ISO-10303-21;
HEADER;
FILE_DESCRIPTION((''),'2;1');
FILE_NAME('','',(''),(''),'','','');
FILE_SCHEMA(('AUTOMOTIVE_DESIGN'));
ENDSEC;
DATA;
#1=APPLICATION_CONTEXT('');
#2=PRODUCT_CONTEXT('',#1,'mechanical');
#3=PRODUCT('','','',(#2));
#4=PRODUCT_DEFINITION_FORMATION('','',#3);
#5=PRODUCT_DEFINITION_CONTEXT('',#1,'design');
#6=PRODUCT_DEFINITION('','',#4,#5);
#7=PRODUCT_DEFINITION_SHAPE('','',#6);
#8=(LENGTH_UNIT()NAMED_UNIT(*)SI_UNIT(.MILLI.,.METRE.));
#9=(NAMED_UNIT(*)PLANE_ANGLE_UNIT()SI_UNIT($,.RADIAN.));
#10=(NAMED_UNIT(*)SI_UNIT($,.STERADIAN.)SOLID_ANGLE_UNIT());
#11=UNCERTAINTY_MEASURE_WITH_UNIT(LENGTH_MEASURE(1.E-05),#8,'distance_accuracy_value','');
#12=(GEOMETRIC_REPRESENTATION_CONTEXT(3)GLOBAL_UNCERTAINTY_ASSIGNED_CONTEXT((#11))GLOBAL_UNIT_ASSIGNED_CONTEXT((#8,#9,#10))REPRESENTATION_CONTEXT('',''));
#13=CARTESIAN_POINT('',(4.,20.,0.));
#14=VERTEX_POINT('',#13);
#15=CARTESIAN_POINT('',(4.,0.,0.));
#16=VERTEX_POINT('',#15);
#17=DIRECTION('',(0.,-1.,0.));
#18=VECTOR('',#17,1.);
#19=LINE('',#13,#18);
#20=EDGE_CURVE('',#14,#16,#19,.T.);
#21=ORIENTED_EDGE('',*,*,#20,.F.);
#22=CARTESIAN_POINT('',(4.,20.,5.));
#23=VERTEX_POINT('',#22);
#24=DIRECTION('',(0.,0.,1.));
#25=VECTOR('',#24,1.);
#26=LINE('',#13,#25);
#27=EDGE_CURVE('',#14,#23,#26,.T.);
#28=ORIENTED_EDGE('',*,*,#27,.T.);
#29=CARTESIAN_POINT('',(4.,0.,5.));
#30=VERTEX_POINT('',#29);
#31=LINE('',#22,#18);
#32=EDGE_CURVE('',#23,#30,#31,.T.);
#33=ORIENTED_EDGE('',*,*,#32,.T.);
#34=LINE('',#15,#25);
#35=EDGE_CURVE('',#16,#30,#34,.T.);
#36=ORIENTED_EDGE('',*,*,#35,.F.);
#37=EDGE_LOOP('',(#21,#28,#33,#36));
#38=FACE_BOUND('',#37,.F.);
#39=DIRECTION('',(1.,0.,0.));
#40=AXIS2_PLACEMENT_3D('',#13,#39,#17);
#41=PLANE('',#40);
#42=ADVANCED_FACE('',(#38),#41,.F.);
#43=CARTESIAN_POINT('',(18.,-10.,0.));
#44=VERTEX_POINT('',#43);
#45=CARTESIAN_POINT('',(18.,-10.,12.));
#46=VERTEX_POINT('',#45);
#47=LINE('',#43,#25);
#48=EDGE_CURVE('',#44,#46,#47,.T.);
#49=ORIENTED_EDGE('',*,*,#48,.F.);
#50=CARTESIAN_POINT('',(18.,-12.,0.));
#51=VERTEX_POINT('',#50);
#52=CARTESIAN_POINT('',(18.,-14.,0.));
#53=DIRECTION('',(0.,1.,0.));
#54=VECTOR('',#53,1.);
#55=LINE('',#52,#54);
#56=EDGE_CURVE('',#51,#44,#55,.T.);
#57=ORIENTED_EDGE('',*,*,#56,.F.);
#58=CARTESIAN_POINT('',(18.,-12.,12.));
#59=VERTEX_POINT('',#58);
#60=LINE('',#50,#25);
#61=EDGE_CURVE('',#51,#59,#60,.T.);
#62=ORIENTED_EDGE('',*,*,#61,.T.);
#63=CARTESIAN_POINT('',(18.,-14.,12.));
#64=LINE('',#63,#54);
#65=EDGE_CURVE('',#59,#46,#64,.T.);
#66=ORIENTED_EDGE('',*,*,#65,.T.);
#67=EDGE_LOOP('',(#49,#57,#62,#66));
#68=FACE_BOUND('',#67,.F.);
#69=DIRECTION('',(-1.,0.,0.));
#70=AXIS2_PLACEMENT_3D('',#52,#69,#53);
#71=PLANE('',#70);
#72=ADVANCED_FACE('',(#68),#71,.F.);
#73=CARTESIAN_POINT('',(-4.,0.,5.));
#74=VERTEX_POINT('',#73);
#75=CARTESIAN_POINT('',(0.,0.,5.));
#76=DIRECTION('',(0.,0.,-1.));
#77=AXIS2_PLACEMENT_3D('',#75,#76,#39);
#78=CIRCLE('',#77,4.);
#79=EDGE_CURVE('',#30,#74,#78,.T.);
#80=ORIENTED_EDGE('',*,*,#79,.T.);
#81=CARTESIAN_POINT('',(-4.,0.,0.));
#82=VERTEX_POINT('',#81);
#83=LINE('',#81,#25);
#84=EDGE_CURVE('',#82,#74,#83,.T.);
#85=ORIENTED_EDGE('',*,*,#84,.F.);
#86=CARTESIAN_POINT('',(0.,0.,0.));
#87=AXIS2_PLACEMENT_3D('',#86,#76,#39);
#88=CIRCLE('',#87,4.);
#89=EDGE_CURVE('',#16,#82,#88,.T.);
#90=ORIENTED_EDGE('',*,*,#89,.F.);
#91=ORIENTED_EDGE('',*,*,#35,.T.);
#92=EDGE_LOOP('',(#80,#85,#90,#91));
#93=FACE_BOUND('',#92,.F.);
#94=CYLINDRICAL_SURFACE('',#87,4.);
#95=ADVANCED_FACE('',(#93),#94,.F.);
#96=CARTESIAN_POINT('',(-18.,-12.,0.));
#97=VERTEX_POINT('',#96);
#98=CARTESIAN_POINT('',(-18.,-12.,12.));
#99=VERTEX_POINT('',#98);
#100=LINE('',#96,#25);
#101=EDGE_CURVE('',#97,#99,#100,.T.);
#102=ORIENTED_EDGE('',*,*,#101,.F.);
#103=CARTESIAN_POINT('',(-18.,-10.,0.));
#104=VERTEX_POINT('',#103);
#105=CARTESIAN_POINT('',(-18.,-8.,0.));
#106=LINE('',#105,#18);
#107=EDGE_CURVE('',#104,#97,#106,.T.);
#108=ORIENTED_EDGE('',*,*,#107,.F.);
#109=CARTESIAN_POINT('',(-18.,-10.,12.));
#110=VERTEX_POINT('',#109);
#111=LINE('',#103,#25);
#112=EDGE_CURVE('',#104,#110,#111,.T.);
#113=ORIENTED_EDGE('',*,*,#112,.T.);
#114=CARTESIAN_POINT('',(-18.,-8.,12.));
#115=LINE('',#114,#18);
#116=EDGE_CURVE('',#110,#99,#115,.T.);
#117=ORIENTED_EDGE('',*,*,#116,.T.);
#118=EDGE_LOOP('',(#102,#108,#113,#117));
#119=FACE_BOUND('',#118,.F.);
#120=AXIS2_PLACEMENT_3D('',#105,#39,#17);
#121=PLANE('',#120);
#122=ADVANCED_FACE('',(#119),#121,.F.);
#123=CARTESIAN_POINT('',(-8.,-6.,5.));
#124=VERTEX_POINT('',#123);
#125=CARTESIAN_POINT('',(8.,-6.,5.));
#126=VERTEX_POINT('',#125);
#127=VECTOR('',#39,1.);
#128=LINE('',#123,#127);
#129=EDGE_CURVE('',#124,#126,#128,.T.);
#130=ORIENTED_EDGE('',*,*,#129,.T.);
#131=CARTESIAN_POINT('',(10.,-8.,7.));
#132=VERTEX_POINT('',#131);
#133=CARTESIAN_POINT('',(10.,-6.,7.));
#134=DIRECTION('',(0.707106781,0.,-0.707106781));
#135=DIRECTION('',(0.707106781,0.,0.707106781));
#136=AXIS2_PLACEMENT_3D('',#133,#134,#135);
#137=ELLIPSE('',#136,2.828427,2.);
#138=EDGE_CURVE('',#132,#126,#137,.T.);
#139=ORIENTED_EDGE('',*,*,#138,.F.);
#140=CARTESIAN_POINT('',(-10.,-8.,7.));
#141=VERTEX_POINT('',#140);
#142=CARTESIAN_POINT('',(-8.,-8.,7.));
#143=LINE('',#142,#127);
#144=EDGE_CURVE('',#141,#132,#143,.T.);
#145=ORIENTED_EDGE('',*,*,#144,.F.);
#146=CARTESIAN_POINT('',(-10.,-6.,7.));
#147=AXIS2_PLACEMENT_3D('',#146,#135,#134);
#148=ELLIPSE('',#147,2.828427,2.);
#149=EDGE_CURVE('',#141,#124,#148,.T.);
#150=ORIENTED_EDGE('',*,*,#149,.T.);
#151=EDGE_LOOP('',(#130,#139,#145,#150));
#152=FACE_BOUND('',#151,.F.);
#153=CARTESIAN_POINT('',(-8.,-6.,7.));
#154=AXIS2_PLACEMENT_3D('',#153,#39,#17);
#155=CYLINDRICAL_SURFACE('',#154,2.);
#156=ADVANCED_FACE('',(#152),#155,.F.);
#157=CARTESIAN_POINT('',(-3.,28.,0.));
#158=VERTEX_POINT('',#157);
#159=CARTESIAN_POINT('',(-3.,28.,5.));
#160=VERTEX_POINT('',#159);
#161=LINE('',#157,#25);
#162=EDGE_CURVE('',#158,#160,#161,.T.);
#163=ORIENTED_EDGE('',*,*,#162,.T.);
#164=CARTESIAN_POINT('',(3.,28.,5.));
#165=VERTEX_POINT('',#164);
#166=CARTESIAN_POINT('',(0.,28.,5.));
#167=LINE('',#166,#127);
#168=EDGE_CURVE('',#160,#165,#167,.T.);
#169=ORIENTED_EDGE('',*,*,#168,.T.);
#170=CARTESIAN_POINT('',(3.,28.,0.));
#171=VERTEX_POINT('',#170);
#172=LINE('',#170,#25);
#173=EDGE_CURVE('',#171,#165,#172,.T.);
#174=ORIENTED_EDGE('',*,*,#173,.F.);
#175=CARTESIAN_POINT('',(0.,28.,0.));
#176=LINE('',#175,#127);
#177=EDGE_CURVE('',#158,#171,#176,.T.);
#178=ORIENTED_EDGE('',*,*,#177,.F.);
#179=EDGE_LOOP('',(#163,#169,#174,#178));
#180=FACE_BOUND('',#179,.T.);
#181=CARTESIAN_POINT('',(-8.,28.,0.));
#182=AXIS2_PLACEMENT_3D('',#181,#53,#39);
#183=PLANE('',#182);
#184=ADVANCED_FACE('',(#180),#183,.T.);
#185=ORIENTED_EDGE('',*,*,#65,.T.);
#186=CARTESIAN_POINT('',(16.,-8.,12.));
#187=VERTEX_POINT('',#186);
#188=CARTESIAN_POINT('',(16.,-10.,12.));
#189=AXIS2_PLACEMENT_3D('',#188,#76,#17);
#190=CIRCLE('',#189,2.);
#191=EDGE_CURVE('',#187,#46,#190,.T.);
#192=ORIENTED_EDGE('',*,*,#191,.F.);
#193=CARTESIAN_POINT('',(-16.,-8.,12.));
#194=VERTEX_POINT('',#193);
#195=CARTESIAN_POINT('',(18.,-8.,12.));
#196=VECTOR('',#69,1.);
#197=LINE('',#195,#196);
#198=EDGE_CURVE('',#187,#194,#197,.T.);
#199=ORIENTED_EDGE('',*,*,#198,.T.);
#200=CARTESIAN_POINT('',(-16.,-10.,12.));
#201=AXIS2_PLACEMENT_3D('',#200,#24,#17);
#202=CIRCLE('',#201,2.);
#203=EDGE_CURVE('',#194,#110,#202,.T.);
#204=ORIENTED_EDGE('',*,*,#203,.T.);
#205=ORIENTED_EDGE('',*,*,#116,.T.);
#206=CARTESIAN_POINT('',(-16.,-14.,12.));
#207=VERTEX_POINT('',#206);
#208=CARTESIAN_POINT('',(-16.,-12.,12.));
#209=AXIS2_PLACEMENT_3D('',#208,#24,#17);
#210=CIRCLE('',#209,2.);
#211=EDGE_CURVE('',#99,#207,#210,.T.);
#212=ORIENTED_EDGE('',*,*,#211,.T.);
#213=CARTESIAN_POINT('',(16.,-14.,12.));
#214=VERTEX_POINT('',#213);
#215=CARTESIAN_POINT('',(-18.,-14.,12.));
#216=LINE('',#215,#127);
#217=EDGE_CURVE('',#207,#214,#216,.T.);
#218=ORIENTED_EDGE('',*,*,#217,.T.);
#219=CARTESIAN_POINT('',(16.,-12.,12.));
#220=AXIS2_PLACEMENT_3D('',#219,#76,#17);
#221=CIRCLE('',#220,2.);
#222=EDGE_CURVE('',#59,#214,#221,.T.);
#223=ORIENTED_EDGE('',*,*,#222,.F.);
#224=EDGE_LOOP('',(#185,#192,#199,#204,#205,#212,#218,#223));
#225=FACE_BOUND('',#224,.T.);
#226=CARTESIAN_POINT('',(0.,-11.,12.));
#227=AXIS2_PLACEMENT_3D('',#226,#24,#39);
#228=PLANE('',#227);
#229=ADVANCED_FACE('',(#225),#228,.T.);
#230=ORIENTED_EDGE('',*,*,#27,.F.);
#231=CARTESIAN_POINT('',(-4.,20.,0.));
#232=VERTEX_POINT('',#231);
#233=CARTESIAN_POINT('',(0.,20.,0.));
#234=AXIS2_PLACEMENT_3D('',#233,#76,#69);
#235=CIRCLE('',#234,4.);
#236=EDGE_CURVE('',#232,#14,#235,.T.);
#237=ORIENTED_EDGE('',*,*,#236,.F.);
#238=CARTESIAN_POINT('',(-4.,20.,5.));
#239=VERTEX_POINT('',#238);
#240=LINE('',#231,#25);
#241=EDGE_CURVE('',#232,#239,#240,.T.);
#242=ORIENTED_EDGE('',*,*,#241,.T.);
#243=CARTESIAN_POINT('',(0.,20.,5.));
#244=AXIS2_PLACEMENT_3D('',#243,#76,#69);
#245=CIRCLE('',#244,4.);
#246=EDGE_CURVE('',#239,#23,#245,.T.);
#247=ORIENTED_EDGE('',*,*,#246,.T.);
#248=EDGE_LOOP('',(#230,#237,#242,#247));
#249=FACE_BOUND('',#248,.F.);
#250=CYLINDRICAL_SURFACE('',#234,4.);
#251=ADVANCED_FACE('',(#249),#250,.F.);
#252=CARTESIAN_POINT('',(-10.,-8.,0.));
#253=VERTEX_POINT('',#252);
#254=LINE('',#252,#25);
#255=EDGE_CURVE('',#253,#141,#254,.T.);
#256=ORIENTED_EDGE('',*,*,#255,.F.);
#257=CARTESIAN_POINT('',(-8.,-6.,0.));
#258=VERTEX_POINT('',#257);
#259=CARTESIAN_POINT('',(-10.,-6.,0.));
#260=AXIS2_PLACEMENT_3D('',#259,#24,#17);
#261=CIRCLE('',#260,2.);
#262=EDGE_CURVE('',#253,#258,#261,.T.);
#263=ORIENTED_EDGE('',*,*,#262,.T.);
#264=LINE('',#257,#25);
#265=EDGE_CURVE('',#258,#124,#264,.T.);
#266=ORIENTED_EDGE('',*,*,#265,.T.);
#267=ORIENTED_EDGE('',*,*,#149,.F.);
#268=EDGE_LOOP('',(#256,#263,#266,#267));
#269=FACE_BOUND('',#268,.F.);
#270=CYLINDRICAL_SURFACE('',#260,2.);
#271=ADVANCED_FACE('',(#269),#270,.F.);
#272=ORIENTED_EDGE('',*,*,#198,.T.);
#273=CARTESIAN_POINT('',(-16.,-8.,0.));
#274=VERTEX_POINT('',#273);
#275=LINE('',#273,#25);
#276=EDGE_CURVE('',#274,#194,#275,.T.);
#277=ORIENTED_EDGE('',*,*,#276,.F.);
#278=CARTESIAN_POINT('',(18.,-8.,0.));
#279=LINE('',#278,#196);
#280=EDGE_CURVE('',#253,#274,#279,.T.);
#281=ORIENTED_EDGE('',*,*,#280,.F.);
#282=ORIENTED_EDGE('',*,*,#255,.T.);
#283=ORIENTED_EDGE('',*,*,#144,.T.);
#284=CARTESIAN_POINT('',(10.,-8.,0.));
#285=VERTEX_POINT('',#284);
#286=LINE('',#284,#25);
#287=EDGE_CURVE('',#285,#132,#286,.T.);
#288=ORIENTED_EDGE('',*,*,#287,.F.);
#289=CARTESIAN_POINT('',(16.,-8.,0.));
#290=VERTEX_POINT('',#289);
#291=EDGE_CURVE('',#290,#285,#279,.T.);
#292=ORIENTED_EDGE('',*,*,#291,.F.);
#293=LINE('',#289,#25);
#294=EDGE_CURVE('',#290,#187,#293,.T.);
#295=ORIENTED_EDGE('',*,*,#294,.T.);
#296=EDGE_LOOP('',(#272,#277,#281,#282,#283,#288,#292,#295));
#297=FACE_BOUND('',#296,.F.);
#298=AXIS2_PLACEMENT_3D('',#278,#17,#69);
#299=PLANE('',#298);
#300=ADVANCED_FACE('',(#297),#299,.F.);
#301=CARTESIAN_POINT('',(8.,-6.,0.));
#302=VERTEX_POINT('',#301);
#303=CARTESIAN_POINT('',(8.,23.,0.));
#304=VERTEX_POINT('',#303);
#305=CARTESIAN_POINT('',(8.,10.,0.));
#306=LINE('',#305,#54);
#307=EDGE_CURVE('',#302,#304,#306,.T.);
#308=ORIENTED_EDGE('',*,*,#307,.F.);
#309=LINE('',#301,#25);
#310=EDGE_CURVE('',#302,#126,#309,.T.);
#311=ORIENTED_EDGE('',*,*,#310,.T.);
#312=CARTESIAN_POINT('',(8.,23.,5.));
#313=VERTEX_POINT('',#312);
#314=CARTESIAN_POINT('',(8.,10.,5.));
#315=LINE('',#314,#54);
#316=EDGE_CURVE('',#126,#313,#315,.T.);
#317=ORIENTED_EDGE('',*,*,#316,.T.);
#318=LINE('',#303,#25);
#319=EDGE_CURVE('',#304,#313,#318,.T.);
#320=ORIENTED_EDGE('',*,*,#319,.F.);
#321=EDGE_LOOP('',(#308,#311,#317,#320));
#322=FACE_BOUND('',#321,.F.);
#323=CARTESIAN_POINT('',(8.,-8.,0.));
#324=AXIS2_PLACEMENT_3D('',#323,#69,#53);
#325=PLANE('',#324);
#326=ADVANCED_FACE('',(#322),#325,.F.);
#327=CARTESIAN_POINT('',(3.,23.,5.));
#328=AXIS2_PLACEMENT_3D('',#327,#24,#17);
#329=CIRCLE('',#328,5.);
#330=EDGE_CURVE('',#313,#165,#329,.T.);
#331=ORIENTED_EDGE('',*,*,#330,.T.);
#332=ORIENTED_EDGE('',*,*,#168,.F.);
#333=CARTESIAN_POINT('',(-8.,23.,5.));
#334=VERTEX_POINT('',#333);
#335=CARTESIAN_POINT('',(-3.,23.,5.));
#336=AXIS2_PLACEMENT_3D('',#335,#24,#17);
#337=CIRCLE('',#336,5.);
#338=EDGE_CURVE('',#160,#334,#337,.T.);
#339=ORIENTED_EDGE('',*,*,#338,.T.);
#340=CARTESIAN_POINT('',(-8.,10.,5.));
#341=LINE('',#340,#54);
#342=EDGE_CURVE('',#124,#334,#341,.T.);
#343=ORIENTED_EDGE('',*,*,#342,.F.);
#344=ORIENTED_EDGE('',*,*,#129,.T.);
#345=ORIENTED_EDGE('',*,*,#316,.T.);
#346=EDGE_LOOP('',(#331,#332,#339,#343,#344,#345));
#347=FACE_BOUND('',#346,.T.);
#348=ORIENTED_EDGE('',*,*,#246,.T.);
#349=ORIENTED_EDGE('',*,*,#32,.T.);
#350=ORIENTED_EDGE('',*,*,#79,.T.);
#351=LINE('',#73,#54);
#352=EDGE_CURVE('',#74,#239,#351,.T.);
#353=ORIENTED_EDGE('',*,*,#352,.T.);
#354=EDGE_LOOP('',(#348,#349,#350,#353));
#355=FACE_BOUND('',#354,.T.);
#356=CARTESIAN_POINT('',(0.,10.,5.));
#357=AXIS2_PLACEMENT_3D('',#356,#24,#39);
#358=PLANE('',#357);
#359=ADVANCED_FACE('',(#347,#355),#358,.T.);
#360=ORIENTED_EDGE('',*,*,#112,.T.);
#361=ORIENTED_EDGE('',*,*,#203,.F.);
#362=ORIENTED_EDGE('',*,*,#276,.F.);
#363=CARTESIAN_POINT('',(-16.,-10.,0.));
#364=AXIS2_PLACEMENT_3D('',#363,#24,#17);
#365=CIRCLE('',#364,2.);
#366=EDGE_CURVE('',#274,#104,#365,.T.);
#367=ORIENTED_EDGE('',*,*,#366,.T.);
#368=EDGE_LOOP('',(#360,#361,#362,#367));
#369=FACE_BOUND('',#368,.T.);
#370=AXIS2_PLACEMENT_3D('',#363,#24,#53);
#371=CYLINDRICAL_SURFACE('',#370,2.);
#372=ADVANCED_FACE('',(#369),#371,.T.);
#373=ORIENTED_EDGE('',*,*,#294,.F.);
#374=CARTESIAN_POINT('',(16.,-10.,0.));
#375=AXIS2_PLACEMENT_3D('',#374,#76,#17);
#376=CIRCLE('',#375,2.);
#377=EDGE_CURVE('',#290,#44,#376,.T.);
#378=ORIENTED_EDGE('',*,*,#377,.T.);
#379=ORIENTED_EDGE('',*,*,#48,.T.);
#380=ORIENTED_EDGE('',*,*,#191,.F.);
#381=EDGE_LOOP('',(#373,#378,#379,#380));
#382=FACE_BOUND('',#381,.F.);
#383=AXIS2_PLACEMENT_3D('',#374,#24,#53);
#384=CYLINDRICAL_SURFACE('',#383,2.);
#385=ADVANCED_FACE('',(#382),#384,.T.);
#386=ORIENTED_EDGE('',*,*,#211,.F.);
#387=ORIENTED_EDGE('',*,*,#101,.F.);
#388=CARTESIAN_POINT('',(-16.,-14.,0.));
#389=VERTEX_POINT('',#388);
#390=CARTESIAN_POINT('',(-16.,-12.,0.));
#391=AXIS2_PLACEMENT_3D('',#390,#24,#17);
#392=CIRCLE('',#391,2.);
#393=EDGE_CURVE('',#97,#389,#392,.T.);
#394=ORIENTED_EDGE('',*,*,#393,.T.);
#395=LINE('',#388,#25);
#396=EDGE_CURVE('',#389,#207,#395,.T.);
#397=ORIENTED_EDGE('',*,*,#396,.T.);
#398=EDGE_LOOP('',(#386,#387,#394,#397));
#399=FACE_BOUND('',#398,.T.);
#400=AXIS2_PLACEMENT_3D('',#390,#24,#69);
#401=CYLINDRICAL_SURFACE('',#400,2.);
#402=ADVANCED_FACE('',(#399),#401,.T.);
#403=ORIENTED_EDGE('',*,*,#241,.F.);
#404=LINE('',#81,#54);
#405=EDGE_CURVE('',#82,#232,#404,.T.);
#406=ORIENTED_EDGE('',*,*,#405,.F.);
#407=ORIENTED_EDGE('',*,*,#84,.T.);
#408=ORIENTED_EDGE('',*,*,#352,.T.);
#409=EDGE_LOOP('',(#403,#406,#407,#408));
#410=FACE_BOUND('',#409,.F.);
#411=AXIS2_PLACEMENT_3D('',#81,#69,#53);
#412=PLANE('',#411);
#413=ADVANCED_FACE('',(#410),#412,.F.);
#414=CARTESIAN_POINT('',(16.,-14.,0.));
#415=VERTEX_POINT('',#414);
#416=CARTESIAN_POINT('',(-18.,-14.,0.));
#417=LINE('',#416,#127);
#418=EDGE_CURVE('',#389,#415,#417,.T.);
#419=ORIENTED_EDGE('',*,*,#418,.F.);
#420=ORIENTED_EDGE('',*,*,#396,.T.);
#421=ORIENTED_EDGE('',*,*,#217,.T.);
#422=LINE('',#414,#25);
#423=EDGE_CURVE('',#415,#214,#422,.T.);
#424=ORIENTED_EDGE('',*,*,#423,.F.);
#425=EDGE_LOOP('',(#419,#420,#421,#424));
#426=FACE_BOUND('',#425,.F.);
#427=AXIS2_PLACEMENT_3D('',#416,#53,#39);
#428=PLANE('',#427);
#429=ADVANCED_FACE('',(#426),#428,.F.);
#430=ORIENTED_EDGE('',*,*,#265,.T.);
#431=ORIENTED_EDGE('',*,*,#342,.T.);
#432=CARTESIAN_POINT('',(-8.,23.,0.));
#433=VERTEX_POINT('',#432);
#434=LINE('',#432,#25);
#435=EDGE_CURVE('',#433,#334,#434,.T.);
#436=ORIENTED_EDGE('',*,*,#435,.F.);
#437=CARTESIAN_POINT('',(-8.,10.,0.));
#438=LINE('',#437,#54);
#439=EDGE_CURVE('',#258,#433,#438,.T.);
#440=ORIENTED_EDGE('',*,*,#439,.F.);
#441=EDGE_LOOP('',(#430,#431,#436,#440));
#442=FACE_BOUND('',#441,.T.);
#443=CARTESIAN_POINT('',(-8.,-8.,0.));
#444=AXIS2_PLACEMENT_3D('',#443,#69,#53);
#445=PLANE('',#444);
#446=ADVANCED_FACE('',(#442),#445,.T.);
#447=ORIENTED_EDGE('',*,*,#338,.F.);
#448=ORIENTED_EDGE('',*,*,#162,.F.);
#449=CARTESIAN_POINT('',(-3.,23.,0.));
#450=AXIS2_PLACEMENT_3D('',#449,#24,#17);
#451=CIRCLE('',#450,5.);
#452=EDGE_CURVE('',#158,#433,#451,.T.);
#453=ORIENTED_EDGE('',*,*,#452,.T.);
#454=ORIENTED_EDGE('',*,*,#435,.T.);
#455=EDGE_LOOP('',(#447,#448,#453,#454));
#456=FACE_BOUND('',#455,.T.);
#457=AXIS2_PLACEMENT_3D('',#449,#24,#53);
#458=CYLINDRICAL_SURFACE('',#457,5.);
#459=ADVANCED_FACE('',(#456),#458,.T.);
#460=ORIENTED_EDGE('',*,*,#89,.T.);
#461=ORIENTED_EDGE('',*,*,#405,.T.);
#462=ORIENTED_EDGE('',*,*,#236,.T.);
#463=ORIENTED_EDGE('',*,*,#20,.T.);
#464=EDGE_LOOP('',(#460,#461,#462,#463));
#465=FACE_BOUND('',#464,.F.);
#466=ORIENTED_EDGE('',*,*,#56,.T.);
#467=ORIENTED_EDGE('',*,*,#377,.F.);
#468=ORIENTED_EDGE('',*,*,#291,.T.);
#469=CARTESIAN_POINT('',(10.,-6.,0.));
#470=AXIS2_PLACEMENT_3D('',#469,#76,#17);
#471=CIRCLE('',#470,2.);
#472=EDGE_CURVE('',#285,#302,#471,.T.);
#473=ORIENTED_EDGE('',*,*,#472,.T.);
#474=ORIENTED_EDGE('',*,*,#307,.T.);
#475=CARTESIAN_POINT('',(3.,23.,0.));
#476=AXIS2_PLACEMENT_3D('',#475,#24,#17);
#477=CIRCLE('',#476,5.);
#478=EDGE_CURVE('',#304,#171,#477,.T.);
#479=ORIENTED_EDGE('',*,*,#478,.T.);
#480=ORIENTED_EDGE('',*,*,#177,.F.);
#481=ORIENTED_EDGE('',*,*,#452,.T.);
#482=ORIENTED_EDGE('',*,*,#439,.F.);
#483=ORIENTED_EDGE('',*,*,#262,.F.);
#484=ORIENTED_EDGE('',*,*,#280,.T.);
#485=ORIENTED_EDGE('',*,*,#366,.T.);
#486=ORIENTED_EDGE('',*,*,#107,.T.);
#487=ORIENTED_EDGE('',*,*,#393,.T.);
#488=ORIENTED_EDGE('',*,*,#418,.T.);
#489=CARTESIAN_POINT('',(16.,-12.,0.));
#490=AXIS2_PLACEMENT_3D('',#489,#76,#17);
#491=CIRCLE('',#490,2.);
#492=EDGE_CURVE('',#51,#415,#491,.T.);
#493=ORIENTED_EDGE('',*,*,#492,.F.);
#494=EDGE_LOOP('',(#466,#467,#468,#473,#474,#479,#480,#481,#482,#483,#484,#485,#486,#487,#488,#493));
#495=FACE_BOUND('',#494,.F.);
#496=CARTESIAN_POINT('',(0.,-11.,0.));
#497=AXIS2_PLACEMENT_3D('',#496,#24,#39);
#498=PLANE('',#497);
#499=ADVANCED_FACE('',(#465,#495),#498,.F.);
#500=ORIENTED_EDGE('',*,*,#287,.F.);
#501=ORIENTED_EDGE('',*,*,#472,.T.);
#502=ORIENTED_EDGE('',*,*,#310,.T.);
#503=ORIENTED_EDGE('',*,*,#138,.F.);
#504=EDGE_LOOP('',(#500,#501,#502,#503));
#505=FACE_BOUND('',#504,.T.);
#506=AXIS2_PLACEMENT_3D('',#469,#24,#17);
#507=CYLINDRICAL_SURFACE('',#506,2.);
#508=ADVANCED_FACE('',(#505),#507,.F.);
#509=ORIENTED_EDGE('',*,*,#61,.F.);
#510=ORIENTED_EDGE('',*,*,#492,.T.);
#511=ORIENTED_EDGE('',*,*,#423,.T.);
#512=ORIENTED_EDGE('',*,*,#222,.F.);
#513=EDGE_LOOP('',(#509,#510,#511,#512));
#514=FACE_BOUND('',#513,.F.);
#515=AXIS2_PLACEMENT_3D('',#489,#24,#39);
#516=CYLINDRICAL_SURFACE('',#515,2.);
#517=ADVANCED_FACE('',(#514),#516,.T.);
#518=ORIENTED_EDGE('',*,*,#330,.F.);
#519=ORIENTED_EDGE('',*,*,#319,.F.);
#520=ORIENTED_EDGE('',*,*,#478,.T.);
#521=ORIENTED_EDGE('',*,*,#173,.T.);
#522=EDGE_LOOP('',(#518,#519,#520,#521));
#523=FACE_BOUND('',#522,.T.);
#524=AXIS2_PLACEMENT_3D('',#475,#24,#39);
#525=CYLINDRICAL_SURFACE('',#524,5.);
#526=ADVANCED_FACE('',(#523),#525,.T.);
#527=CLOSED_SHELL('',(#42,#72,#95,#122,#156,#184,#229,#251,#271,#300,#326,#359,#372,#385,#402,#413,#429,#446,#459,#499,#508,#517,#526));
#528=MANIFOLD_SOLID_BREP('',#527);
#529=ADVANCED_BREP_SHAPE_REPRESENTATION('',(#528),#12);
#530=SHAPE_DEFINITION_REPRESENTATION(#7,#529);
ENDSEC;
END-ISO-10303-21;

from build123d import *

# Parameters (mm, degrees)
F0_W     = 16
F0_H     = 36
F1_DEPTH = 5
F3_DEPTH = 12
F4_R     = 2
F5_R     = 5


with BuildPart() as f1:
    # F0 (on Top) → F1 (new body)
    with BuildSketch(Plane.XY):
        with Locations((0, 10)):
            Rectangle(F0_W, F0_H)
        with BuildLine():
            ThreePointArc((-4, 20), (0, 24), (4, 20))
            Line((4, 20), (4, 0))
            ThreePointArc((4, 0), (0, -4), (-4, 0))
            Line((-4, 0), (-4, 20))
        make_face(mode=Mode.SUBTRACT)
    extrude(amount=F1_DEPTH)

    # F2 (on Top) → F3 (join)
    with BuildSketch(Plane.XY):
        Polygon((18, -8), (0, -8), (-18, -8), (-18, -14), (18, -14), align=None)
    extrude(amount=F3_DEPTH)

    # F4
    f4_edges = [f1.edges().sort_by_distance(p)[0] for p in [
        (-18, -14, 6),
        (-18, -8, 6),
        (18, -8, 6),
        (18, -14, 6),
        (0, -8, 5),
        (8, -8, 2.5),
        (-8, -8, 2.5),
    ]]
    fillet(f4_edges, radius=F4_R)

    # F5
    f5_edges = [f1.edges().sort_by_distance(p)[0] for p in [
        (-8, 28, 2.5),
        (8, 28, 2.5),
    ]]
    fillet(f5_edges, radius=F5_R)


solid = f1.part
